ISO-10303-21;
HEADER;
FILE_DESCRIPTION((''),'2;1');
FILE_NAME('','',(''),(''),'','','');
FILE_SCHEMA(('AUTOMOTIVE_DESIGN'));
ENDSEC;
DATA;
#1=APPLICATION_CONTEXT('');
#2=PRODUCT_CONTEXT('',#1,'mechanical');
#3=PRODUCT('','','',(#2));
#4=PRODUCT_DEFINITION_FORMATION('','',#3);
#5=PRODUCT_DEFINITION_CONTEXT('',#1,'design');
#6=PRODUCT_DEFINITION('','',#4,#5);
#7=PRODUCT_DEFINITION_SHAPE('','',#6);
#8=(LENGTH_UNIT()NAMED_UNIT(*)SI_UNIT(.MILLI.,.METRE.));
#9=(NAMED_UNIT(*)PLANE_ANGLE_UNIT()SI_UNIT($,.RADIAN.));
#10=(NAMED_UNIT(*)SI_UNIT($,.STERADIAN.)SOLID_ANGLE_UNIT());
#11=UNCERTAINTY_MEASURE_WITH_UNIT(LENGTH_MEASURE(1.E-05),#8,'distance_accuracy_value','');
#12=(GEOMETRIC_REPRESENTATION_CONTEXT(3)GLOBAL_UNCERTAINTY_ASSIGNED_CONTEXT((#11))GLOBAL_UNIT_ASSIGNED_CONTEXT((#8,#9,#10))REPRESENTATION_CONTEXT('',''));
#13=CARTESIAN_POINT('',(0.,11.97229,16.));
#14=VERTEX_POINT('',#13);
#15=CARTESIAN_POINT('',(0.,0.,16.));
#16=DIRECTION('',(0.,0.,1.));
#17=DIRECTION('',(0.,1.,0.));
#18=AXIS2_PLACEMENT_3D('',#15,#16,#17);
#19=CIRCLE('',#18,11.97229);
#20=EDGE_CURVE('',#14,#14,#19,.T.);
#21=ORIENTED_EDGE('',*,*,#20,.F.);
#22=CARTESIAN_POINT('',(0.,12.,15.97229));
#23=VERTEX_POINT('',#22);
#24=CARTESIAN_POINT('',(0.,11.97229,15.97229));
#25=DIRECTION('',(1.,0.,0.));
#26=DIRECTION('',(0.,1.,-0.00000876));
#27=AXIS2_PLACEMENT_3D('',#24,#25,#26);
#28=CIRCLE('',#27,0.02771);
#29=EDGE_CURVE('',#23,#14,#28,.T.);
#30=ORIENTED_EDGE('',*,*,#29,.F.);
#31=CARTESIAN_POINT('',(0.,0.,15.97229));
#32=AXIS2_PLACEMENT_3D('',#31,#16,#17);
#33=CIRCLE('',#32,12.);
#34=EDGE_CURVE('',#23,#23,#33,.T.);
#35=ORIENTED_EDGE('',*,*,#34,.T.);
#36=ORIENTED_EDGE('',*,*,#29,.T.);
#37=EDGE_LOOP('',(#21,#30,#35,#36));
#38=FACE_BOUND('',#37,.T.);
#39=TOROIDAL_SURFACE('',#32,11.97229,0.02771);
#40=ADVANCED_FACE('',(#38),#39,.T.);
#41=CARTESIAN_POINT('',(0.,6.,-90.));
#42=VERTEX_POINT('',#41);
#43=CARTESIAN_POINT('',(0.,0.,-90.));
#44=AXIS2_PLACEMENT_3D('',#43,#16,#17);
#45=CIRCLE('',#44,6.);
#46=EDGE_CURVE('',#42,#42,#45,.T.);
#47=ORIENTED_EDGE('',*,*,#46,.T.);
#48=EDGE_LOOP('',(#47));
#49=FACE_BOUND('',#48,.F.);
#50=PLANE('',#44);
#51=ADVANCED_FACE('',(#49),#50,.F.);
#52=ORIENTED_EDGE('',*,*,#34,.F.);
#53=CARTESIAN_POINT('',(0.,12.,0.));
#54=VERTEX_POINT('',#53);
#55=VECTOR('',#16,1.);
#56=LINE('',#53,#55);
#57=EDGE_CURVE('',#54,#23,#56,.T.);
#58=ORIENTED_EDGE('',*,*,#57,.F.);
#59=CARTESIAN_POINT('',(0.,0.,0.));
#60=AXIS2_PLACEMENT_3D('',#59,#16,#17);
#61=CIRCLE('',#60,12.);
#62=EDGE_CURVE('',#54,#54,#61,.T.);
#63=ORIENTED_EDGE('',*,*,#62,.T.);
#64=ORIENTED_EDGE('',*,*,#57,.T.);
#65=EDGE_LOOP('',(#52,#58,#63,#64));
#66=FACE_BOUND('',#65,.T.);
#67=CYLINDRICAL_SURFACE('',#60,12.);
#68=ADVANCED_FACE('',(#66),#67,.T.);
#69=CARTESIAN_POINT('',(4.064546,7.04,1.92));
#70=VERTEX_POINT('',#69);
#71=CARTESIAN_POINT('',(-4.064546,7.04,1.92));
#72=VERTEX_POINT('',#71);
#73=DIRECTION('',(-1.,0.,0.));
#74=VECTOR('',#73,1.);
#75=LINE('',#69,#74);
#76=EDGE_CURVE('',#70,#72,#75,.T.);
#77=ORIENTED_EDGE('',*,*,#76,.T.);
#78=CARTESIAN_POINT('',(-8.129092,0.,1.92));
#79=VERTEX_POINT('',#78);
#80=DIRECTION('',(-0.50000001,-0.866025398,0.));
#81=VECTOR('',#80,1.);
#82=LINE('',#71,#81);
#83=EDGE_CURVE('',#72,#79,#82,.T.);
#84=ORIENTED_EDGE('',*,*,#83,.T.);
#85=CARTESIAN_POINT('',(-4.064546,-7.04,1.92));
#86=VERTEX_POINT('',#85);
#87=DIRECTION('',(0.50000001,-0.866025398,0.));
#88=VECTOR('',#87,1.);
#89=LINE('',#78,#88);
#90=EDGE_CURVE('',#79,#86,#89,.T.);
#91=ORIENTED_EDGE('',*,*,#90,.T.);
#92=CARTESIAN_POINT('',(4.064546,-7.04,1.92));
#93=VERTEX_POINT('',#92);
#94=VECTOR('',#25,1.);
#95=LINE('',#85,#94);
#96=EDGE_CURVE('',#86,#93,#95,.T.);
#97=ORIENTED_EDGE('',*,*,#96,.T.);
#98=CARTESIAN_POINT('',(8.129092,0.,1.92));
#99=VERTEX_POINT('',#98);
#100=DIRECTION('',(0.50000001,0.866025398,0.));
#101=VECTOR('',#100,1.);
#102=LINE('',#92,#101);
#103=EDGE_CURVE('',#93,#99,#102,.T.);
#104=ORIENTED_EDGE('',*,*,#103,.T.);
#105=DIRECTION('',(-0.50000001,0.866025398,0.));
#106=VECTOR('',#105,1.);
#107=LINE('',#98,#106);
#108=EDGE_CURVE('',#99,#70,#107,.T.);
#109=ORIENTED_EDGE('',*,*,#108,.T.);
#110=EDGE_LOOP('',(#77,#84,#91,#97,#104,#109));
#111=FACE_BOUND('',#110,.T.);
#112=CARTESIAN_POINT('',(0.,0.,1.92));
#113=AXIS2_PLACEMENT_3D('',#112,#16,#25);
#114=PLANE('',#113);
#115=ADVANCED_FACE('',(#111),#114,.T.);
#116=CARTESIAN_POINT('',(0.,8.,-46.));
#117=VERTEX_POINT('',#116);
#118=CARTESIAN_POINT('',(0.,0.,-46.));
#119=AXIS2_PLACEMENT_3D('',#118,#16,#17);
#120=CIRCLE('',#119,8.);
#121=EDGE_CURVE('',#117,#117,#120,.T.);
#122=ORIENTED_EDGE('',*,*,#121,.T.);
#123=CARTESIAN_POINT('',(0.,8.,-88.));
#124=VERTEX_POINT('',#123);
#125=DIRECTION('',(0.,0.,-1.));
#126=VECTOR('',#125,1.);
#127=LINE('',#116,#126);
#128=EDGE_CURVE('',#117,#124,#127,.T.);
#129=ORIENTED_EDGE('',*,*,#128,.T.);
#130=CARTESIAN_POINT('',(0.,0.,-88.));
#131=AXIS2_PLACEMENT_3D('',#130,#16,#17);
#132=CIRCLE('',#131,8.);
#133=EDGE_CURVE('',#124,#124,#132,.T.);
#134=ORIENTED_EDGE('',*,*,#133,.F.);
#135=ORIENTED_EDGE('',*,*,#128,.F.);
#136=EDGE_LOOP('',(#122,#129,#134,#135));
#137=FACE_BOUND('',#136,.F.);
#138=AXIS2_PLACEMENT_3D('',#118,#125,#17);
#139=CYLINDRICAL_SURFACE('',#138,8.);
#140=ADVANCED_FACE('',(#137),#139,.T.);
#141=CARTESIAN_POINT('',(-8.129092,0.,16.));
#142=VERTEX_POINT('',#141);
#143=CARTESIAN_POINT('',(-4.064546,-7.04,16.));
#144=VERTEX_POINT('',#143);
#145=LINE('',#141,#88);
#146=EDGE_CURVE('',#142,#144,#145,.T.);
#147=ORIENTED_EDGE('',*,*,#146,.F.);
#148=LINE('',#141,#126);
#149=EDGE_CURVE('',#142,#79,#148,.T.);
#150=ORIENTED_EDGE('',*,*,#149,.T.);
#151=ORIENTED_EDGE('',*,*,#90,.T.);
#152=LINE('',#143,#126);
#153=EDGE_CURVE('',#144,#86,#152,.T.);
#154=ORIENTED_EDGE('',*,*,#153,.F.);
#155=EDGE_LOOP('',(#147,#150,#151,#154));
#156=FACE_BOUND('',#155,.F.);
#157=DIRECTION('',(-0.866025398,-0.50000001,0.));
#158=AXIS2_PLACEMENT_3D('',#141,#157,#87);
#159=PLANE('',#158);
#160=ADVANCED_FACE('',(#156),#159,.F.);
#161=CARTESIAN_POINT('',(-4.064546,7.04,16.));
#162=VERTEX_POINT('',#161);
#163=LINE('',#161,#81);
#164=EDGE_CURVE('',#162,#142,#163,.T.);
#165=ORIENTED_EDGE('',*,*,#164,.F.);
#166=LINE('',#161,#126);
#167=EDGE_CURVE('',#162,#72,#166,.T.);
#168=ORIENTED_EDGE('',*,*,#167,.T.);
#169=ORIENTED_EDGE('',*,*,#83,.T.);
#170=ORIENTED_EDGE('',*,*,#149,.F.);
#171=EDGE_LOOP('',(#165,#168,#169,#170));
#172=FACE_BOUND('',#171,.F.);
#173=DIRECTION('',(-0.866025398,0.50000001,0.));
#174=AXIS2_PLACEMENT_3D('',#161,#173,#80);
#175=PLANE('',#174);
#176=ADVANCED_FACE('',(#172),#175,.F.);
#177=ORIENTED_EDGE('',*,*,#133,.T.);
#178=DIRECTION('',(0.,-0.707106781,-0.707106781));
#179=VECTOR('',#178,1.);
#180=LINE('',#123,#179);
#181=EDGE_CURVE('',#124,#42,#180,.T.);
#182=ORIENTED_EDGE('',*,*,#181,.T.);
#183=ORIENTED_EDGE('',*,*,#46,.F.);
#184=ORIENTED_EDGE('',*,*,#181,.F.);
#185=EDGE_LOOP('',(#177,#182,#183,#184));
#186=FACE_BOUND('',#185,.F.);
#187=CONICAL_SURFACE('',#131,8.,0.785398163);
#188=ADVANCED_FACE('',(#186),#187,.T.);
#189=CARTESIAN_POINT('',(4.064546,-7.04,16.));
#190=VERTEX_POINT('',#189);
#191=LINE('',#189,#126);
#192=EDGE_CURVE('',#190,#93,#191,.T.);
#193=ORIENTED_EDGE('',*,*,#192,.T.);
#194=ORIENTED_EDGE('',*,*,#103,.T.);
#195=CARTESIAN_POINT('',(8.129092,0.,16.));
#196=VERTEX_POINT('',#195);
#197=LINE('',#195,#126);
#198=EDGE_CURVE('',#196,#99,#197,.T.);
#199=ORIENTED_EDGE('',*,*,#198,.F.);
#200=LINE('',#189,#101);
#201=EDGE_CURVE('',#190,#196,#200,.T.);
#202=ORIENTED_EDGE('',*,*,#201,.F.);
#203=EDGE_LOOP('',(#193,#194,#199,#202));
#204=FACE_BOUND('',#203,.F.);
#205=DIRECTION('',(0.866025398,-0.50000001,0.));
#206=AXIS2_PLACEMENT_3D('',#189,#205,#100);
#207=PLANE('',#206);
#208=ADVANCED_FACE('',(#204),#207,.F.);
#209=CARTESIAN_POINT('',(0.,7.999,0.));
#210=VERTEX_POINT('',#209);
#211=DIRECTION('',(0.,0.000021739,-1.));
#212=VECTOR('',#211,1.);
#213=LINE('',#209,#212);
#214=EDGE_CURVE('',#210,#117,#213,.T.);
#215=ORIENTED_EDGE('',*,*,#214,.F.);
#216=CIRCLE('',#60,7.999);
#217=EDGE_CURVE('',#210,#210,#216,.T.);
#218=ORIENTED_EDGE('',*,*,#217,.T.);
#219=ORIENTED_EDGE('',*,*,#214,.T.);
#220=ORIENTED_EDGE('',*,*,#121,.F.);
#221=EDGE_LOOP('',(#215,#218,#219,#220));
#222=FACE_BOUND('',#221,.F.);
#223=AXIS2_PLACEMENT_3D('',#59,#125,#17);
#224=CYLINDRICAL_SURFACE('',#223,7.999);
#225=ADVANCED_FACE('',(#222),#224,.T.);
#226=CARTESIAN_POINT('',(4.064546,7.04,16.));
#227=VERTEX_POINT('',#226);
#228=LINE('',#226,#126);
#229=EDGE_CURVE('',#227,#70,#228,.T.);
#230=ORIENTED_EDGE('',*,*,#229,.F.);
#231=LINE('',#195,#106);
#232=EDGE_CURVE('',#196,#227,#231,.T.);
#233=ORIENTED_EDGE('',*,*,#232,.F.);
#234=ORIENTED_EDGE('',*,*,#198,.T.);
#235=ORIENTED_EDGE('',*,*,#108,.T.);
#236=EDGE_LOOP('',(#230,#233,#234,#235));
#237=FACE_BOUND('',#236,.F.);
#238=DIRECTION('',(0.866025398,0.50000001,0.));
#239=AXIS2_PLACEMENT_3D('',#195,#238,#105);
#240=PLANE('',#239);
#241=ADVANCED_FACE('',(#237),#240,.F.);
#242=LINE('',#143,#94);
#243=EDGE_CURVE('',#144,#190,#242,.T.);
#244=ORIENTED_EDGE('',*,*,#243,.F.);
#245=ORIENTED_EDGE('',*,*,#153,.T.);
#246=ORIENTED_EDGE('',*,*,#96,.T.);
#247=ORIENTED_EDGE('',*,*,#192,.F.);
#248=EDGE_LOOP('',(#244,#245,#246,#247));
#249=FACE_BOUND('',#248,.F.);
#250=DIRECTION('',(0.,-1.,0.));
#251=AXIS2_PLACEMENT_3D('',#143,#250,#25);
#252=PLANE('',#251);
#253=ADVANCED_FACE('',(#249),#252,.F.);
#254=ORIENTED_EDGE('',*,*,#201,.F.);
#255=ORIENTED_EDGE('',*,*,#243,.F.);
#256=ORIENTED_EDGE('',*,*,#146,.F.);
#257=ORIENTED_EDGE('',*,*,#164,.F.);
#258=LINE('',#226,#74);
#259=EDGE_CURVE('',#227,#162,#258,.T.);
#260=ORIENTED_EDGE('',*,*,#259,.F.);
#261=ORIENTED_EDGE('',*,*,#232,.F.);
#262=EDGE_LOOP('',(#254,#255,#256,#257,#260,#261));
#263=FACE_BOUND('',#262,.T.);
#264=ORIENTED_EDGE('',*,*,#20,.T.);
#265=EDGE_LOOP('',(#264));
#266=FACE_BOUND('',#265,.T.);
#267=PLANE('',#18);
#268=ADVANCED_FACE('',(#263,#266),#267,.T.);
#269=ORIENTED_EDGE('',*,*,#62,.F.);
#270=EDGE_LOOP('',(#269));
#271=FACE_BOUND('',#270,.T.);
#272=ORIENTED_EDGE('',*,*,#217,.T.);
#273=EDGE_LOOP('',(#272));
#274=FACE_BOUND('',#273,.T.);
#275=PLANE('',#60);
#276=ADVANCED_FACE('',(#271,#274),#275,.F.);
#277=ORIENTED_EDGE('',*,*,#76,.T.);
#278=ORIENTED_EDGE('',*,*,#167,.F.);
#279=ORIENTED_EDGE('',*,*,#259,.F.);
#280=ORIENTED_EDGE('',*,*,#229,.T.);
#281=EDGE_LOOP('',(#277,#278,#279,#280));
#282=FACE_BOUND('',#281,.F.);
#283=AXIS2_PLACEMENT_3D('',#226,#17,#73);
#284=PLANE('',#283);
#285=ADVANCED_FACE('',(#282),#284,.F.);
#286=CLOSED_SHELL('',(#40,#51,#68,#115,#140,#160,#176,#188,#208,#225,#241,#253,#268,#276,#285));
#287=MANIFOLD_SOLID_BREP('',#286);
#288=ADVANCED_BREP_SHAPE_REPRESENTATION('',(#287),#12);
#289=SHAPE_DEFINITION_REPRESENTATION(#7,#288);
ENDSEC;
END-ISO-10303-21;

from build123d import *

# Parameters (mm, degrees)
POCKET_DEPTH = 14.08


with BuildPart() as part:
    # Sketch → Revolve (revolve)
    with BuildSketch(Plane.YZ):
        with BuildLine():
            Line((7.999, 0), (12, 0))
            Line((12, 0), (12, 15.97229))
            ThreePointArc((12, 15.97229), (11.991884, 15.991884), (11.97229, 16))
            Line((11.97229, 16), (0, 16))
            Line((0, -90), (0, 16))
            Line((6, -90), (0, -90))
            Line((8, -88), (6, -90))
            Line((8, -46), (8, -88))
            Line((7.999, 0), (8, -46))
        make_face()
    revolve(axis=Axis((0, 0, 0), (0, 0, 1)))

    # Sketch001 → Pocket (cut)
    with BuildSketch(Plane.XY.offset(16)):
        Polygon((8.129092, 0), (4.064546, 7.04), (-4.064546, 7.04), (-8.129092, 0), (-4.064546, -7.04), (4.064546, -7.04), align=None)
    extrude(amount=-POCKET_DEPTH, mode=Mode.SUBTRACT)


solid = part.part
